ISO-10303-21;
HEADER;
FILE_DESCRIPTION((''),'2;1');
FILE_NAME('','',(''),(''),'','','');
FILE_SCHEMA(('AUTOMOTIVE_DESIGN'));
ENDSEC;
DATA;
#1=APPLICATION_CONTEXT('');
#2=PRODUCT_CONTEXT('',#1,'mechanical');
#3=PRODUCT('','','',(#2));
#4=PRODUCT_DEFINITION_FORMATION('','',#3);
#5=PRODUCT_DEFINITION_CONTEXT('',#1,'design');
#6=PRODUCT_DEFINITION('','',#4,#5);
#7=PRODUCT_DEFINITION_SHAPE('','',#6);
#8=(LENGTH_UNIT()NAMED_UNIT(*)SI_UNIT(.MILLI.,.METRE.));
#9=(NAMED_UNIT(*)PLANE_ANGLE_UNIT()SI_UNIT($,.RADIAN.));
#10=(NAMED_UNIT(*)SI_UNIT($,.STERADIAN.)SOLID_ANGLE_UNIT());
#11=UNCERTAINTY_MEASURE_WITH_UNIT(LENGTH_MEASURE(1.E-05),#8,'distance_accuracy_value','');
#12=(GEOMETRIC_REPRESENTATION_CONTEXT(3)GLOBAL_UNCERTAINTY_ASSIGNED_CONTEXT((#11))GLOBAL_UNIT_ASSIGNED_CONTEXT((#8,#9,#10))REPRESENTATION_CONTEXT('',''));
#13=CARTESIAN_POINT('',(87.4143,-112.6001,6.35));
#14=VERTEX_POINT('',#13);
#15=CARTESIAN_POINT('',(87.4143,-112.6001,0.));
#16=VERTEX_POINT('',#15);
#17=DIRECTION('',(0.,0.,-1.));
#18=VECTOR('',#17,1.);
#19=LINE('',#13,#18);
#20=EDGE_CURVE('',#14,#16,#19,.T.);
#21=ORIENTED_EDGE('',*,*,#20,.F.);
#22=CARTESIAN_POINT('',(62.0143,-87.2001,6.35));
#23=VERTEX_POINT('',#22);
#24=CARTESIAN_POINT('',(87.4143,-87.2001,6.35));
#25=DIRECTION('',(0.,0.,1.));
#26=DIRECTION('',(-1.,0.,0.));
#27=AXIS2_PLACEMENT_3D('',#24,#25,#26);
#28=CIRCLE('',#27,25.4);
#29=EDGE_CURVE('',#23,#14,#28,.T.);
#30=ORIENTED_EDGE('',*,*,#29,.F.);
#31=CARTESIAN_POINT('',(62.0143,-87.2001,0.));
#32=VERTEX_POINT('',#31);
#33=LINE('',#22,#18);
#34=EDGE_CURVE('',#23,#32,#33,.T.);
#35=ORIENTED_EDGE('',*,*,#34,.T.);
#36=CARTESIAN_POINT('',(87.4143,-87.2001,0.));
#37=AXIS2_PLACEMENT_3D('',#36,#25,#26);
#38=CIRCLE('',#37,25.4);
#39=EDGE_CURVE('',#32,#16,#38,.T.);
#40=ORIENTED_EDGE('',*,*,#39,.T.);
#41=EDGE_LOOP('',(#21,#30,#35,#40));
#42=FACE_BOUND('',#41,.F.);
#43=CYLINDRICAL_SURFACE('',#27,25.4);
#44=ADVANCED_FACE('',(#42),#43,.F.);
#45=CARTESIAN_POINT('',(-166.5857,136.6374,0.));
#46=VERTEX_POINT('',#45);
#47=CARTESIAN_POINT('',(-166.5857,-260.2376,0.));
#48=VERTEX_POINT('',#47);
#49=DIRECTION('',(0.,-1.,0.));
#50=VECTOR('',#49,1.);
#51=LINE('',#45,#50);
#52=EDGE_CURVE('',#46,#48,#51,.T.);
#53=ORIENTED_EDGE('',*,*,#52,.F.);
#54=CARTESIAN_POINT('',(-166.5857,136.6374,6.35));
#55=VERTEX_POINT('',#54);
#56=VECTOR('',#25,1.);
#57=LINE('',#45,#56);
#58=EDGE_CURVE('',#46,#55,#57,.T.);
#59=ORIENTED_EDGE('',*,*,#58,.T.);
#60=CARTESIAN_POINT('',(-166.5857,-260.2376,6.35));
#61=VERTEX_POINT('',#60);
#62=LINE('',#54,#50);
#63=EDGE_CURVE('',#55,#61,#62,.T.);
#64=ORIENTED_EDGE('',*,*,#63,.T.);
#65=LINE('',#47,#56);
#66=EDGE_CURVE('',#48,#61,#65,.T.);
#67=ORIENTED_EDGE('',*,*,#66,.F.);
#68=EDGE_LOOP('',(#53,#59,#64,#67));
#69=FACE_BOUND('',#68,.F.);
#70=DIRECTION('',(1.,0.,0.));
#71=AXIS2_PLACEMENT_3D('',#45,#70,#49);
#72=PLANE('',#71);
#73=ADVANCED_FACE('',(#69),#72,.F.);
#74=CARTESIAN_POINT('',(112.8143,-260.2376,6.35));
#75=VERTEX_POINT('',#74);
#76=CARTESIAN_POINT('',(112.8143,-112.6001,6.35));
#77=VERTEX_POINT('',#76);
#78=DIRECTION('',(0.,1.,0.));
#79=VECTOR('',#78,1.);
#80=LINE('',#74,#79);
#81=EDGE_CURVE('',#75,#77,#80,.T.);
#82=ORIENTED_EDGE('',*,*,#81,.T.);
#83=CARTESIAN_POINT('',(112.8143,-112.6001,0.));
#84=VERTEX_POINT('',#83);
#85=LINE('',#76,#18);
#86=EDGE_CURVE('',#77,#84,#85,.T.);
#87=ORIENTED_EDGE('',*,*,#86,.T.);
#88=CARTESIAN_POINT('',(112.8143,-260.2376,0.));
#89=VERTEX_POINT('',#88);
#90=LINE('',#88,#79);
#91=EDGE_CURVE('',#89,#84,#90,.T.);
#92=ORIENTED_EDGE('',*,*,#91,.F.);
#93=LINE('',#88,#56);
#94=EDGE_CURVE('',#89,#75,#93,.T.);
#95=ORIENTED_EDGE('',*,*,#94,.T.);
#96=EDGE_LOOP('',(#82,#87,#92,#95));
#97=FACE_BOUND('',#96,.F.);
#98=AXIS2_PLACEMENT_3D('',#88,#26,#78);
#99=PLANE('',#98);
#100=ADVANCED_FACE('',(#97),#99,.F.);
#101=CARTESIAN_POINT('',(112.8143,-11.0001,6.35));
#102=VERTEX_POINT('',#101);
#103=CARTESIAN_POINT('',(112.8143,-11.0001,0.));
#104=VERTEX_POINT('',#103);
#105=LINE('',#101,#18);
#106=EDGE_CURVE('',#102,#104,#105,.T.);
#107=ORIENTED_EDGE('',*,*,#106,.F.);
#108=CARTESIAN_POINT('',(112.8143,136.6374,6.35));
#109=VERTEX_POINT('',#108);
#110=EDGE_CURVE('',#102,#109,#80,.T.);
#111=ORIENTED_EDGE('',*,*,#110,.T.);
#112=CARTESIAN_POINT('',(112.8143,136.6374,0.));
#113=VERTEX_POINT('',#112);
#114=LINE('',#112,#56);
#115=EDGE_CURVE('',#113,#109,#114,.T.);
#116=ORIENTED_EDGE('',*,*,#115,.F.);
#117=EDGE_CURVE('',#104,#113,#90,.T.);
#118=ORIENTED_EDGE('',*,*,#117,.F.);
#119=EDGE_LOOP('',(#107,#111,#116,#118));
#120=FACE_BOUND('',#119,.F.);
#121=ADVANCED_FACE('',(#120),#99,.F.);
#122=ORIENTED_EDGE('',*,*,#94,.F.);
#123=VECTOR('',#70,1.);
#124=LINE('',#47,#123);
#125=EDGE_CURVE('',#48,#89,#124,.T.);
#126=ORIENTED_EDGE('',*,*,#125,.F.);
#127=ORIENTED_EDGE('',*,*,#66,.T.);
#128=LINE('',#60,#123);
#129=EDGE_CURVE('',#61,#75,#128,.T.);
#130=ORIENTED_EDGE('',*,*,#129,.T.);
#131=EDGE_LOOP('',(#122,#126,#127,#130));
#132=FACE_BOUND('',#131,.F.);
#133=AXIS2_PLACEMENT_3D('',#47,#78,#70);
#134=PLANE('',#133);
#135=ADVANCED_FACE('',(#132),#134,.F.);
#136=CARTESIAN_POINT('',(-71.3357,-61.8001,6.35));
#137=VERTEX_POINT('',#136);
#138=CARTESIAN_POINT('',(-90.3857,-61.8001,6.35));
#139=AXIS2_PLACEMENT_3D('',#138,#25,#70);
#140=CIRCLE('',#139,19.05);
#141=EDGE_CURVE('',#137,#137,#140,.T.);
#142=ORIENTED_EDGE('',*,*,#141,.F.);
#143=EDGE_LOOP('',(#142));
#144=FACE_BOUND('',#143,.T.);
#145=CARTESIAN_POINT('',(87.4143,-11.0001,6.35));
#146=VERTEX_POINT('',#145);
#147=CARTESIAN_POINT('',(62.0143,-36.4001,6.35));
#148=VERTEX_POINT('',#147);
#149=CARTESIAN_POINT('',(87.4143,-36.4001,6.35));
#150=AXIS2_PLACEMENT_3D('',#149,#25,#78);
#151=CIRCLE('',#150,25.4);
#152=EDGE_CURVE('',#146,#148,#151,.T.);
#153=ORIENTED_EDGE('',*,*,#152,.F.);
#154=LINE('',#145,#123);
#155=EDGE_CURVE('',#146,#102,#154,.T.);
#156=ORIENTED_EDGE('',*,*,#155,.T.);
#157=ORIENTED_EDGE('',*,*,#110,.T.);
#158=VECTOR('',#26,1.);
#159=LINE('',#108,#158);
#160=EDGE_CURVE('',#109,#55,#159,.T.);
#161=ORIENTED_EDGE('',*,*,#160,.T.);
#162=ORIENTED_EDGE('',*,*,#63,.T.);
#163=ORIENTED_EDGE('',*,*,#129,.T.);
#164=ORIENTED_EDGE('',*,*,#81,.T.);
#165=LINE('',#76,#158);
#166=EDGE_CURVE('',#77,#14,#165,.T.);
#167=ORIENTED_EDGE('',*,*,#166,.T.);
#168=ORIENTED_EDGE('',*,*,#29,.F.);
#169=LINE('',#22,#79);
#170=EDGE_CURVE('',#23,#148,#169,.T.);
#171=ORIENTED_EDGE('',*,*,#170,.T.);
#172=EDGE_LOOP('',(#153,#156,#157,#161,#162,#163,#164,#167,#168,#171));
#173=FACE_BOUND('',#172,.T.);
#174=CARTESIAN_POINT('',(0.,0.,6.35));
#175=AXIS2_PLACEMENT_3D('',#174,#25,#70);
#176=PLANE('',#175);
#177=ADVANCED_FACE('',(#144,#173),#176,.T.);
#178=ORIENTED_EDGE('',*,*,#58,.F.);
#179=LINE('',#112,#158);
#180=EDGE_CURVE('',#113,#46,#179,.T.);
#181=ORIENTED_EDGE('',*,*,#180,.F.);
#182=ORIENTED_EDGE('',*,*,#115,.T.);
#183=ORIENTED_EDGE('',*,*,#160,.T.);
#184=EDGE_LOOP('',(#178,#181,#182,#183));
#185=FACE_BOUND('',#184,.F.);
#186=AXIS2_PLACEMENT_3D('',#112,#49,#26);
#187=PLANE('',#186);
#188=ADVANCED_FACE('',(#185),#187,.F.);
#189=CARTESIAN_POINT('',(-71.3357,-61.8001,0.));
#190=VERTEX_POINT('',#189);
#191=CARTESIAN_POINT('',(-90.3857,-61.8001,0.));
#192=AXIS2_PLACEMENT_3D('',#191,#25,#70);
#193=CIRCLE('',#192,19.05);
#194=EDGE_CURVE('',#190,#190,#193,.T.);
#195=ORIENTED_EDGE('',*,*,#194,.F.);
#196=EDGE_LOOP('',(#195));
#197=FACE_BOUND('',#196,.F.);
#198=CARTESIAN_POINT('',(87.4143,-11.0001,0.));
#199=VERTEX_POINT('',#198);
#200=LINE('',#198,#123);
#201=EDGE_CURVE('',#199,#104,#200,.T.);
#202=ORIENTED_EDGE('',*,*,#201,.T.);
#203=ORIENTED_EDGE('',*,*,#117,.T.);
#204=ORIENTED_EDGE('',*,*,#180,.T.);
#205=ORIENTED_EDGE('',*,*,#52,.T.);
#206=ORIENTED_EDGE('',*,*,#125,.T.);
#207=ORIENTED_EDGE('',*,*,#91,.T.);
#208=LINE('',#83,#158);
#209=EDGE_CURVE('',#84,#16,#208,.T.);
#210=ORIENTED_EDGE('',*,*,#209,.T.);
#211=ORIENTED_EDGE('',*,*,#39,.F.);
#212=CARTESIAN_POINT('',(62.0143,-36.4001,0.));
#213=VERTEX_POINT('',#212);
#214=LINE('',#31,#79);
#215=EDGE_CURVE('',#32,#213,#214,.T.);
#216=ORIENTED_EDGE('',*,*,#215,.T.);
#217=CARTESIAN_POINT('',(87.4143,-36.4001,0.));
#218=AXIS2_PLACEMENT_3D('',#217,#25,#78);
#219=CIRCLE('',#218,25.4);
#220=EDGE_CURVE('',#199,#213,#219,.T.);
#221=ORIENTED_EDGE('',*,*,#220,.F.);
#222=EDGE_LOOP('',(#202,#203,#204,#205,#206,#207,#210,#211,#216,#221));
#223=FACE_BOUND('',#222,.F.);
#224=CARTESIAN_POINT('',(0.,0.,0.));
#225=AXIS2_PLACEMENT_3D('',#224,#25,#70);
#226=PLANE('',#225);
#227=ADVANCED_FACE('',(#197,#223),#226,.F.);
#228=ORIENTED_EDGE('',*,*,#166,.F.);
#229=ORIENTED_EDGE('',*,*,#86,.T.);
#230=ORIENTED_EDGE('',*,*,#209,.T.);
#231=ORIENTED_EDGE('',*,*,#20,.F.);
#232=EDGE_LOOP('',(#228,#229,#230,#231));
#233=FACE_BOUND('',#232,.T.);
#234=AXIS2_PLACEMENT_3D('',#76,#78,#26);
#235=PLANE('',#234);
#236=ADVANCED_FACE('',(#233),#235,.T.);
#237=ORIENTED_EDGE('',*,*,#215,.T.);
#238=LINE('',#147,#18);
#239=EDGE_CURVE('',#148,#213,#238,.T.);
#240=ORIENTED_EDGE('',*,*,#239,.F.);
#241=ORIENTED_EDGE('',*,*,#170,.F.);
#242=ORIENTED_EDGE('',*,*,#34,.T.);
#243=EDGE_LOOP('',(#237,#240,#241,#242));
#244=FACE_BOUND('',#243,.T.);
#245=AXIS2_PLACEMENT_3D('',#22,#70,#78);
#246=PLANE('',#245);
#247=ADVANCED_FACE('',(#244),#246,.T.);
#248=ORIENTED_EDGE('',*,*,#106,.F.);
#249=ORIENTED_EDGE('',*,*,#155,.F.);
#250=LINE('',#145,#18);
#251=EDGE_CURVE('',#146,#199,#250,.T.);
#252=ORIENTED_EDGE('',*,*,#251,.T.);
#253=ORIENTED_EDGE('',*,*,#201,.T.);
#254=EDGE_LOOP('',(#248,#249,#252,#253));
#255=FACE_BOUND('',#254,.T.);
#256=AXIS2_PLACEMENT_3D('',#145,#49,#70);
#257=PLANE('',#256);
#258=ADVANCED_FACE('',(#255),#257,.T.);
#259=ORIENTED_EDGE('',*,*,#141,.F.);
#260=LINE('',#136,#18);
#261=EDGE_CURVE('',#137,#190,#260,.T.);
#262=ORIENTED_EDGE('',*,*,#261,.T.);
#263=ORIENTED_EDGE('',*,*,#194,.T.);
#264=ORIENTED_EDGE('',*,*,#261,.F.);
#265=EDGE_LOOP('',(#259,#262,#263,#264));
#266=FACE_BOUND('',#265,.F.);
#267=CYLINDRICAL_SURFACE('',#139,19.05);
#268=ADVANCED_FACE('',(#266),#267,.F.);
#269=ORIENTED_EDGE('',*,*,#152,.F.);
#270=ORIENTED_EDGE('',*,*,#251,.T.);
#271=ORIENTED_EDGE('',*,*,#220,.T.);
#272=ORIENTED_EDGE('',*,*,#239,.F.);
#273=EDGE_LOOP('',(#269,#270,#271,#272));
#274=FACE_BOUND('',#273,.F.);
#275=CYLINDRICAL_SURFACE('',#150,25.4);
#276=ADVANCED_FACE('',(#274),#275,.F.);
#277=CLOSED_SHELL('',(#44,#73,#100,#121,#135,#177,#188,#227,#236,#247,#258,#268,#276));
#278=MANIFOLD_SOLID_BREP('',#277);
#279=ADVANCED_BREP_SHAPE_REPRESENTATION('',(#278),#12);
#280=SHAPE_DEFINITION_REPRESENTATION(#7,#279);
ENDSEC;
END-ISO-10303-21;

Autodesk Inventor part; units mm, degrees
ref_plane "YZ Plane" through (0, 0, 0) normal (1, 0, 0) x (0, 1, 0)
ref_plane "XZ Plane" through (0, 0, 0) normal (0, 1, 0) x (-1, 0, 0)
ref_plane "XY Plane" through (0, 0, 0) normal (0, 0, 1) x (1, 0, 0)
sketch "Sketch1" plane through (0, 0, 0) normal (0, 0, 1) x (1, 0, 0)
  line L0 (-166.5857, -260.2376) -> (112.8143, -260.2376)
  line L1 (112.8143, -260.2376) -> (112.8143, 136.6374)
  line L2 (112.8143, 136.6374) -> (-166.5857, 136.6374)
  line L3 (-166.5857, 136.6374) -> (-166.5857, -260.2376)
  point P0 (0, 0)
  dimension "d0" = 396.875
  dimension "d3" = 279.4
extrude "Board" add sketch "Sketch1" along normal blind 6.35
sketch "Sketch2" plane through (0, 0, 6.35) normal (0, 0, 1) x (1, 0, 0)
  circle A0 centre (-90.3857, -61.8001) radius 19.05
  line L0 (-166.5857, -260.2376) -> (112.8143, -260.2376) projected
  line L1 (-166.5857, 136.6374) -> (-166.5857, -260.2376) projected
  line L2 (112.8143, -260.2376) -> (112.8143, 136.6374) projected
  line L3 (112.8143, -112.6001) -> (87.4143, -112.6001)
  line L4 (62.0143, -87.2001) -> (62.0143, -36.4001)
  line L5 (87.4143, -11.0001) -> (112.8143, -11.0001)
  line L6 (112.8143, -11.0001) -> (112.8143, -112.6001)
  arc A1 (62.0143, -87.2001) -> (87.4143, -112.6001) centre (87.4143, -87.2001) ccw
  arc A2 (87.4143, -11.0001) -> (62.0143, -36.4001) centre (87.4143, -36.4001) ccw
  line L7 (112.8143, 136.6374) -> (-166.5857, 136.6374) projected
  point P0 (0, 0)
  point P1 (62.0143, -11.0001)
  dimension "d4" = 38.1
  dimension "d5" = 198.4375
  dimension "d6" = 76.2
  dimension "d9" = 50.8
  dimension "d10" = 25.4
  dimension "d11" = 101.6
  dimension "d12" = 25.4
  dimension "d13" = 147.6375
extrude "Cutout Holes" cut sketch "Sketch2" against normal blind 6.35 contours A0 | L3 A1 L4 A2 L5 L2
equation "\"d5\" = 0.5 * d0"
equation "\"d13\" = -0.5 * d11 + 0.5 * d0"
properties part number "Back Panel Bottom"
